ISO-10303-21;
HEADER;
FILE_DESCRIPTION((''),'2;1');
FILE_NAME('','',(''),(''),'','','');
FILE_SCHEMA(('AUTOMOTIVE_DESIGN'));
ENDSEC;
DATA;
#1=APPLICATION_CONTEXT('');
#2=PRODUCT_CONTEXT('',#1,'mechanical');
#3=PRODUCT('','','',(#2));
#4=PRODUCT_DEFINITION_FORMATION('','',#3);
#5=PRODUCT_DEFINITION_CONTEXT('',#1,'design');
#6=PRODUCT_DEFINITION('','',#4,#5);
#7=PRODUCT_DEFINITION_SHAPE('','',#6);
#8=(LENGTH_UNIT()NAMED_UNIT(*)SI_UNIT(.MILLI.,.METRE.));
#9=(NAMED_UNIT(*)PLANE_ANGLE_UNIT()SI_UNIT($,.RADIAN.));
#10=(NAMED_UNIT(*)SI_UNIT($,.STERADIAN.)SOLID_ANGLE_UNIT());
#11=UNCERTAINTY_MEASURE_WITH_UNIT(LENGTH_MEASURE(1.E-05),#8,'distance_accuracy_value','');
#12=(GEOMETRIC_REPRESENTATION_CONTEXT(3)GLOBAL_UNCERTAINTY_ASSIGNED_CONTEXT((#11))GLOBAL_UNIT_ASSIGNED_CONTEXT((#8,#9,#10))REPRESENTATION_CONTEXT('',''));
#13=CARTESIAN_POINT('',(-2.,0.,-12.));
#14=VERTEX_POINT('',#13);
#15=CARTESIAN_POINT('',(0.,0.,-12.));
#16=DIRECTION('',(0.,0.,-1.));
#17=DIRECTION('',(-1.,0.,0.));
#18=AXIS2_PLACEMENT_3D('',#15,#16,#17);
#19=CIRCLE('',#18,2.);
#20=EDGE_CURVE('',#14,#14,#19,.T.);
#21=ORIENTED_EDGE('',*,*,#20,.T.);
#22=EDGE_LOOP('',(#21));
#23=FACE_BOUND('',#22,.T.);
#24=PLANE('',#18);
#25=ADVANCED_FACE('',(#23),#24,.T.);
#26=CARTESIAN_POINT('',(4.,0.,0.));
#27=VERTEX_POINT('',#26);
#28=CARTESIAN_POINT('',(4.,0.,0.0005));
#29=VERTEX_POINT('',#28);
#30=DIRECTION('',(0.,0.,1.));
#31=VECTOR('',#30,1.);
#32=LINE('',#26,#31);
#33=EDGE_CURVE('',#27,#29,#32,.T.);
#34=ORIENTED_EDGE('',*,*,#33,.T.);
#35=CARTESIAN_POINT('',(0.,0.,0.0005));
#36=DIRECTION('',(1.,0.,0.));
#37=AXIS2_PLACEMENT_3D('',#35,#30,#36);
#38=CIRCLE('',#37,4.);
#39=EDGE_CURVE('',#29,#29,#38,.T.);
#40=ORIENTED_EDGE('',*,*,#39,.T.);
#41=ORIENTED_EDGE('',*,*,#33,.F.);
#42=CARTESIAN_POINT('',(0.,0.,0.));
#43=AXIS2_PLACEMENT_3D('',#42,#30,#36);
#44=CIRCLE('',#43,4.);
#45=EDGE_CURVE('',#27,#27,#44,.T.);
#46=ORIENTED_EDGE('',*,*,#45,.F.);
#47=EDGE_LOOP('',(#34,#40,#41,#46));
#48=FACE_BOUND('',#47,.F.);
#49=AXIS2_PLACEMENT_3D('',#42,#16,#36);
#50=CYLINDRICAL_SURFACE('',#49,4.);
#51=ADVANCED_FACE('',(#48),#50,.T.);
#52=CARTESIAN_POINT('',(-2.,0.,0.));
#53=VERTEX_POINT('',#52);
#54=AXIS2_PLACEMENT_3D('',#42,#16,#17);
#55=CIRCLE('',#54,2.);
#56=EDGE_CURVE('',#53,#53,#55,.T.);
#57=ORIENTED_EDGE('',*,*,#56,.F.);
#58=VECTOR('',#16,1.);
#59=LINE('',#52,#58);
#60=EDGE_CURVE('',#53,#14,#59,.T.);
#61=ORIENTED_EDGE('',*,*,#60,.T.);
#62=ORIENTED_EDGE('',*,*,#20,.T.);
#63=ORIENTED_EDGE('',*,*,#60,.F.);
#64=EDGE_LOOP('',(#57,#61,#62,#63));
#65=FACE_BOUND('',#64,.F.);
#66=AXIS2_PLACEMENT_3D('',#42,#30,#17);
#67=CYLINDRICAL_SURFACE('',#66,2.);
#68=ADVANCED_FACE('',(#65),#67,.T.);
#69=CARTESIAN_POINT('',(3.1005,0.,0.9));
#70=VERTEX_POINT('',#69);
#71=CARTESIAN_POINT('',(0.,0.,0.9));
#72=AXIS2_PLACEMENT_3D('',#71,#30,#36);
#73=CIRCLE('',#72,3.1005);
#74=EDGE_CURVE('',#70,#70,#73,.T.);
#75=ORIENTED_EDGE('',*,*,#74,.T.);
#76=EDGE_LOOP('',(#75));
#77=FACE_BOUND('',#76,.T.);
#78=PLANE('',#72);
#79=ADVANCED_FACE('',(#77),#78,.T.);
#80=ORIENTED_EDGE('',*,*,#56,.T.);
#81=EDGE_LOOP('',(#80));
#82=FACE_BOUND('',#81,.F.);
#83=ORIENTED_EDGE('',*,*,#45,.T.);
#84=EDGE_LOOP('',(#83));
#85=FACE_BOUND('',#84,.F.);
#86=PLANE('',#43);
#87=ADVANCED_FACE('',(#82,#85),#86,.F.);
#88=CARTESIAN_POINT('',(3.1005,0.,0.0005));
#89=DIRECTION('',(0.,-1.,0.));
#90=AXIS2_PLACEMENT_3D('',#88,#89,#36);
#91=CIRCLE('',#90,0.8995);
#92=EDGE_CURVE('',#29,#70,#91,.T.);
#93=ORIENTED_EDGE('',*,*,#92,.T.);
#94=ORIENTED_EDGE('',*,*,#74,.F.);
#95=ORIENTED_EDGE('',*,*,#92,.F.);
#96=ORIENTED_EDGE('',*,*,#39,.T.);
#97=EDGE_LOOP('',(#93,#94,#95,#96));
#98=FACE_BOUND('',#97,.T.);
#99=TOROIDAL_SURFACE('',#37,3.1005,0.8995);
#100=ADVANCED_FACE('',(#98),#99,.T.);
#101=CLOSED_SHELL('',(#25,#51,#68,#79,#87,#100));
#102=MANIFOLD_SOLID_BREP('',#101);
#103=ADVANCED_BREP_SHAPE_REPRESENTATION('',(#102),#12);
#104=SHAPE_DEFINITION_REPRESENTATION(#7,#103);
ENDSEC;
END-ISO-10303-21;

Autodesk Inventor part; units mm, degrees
ref_plane "YZ Plane" through (0, 0, 0) normal (1, 0, 0) x (0, 1, 0)
ref_plane "XZ Plane" through (0, 0, 0) normal (0, 1, 0) x (-1, 0, 0)
ref_plane "XY Plane" through (0, 0, 0) normal (0, 0, 1) x (1, 0, 0)
sketch "スケッチ1" plane through (0, 0, 0) normal (0, 0, 1) x (1, 0, 0)
  circle A0 centre (0, 0) radius 4
  dimension "d0" = 8
extrude "押し出し1" add sketch "スケッチ1" along normal blind 0.9
sketch "スケッチ2" plane through (0, 0, 0) normal (0, 0, -1) x (-1, 0, 0)
  circle A0 centre (0, 0) radius 2
  dimension "d3" = 4
extrude "押し出し2" add sketch "スケッチ2" along normal blind 12
thread "ねじ1" size "M4x0.7" class "6g" standard "ANSI Metric M Profile" full length
fillet "フィレット1" radius 0.9 1 edges at (-4, 0, 0.9)
properties part number "ネジ低頭m4.12" material "鋼、高強度、低合金"
